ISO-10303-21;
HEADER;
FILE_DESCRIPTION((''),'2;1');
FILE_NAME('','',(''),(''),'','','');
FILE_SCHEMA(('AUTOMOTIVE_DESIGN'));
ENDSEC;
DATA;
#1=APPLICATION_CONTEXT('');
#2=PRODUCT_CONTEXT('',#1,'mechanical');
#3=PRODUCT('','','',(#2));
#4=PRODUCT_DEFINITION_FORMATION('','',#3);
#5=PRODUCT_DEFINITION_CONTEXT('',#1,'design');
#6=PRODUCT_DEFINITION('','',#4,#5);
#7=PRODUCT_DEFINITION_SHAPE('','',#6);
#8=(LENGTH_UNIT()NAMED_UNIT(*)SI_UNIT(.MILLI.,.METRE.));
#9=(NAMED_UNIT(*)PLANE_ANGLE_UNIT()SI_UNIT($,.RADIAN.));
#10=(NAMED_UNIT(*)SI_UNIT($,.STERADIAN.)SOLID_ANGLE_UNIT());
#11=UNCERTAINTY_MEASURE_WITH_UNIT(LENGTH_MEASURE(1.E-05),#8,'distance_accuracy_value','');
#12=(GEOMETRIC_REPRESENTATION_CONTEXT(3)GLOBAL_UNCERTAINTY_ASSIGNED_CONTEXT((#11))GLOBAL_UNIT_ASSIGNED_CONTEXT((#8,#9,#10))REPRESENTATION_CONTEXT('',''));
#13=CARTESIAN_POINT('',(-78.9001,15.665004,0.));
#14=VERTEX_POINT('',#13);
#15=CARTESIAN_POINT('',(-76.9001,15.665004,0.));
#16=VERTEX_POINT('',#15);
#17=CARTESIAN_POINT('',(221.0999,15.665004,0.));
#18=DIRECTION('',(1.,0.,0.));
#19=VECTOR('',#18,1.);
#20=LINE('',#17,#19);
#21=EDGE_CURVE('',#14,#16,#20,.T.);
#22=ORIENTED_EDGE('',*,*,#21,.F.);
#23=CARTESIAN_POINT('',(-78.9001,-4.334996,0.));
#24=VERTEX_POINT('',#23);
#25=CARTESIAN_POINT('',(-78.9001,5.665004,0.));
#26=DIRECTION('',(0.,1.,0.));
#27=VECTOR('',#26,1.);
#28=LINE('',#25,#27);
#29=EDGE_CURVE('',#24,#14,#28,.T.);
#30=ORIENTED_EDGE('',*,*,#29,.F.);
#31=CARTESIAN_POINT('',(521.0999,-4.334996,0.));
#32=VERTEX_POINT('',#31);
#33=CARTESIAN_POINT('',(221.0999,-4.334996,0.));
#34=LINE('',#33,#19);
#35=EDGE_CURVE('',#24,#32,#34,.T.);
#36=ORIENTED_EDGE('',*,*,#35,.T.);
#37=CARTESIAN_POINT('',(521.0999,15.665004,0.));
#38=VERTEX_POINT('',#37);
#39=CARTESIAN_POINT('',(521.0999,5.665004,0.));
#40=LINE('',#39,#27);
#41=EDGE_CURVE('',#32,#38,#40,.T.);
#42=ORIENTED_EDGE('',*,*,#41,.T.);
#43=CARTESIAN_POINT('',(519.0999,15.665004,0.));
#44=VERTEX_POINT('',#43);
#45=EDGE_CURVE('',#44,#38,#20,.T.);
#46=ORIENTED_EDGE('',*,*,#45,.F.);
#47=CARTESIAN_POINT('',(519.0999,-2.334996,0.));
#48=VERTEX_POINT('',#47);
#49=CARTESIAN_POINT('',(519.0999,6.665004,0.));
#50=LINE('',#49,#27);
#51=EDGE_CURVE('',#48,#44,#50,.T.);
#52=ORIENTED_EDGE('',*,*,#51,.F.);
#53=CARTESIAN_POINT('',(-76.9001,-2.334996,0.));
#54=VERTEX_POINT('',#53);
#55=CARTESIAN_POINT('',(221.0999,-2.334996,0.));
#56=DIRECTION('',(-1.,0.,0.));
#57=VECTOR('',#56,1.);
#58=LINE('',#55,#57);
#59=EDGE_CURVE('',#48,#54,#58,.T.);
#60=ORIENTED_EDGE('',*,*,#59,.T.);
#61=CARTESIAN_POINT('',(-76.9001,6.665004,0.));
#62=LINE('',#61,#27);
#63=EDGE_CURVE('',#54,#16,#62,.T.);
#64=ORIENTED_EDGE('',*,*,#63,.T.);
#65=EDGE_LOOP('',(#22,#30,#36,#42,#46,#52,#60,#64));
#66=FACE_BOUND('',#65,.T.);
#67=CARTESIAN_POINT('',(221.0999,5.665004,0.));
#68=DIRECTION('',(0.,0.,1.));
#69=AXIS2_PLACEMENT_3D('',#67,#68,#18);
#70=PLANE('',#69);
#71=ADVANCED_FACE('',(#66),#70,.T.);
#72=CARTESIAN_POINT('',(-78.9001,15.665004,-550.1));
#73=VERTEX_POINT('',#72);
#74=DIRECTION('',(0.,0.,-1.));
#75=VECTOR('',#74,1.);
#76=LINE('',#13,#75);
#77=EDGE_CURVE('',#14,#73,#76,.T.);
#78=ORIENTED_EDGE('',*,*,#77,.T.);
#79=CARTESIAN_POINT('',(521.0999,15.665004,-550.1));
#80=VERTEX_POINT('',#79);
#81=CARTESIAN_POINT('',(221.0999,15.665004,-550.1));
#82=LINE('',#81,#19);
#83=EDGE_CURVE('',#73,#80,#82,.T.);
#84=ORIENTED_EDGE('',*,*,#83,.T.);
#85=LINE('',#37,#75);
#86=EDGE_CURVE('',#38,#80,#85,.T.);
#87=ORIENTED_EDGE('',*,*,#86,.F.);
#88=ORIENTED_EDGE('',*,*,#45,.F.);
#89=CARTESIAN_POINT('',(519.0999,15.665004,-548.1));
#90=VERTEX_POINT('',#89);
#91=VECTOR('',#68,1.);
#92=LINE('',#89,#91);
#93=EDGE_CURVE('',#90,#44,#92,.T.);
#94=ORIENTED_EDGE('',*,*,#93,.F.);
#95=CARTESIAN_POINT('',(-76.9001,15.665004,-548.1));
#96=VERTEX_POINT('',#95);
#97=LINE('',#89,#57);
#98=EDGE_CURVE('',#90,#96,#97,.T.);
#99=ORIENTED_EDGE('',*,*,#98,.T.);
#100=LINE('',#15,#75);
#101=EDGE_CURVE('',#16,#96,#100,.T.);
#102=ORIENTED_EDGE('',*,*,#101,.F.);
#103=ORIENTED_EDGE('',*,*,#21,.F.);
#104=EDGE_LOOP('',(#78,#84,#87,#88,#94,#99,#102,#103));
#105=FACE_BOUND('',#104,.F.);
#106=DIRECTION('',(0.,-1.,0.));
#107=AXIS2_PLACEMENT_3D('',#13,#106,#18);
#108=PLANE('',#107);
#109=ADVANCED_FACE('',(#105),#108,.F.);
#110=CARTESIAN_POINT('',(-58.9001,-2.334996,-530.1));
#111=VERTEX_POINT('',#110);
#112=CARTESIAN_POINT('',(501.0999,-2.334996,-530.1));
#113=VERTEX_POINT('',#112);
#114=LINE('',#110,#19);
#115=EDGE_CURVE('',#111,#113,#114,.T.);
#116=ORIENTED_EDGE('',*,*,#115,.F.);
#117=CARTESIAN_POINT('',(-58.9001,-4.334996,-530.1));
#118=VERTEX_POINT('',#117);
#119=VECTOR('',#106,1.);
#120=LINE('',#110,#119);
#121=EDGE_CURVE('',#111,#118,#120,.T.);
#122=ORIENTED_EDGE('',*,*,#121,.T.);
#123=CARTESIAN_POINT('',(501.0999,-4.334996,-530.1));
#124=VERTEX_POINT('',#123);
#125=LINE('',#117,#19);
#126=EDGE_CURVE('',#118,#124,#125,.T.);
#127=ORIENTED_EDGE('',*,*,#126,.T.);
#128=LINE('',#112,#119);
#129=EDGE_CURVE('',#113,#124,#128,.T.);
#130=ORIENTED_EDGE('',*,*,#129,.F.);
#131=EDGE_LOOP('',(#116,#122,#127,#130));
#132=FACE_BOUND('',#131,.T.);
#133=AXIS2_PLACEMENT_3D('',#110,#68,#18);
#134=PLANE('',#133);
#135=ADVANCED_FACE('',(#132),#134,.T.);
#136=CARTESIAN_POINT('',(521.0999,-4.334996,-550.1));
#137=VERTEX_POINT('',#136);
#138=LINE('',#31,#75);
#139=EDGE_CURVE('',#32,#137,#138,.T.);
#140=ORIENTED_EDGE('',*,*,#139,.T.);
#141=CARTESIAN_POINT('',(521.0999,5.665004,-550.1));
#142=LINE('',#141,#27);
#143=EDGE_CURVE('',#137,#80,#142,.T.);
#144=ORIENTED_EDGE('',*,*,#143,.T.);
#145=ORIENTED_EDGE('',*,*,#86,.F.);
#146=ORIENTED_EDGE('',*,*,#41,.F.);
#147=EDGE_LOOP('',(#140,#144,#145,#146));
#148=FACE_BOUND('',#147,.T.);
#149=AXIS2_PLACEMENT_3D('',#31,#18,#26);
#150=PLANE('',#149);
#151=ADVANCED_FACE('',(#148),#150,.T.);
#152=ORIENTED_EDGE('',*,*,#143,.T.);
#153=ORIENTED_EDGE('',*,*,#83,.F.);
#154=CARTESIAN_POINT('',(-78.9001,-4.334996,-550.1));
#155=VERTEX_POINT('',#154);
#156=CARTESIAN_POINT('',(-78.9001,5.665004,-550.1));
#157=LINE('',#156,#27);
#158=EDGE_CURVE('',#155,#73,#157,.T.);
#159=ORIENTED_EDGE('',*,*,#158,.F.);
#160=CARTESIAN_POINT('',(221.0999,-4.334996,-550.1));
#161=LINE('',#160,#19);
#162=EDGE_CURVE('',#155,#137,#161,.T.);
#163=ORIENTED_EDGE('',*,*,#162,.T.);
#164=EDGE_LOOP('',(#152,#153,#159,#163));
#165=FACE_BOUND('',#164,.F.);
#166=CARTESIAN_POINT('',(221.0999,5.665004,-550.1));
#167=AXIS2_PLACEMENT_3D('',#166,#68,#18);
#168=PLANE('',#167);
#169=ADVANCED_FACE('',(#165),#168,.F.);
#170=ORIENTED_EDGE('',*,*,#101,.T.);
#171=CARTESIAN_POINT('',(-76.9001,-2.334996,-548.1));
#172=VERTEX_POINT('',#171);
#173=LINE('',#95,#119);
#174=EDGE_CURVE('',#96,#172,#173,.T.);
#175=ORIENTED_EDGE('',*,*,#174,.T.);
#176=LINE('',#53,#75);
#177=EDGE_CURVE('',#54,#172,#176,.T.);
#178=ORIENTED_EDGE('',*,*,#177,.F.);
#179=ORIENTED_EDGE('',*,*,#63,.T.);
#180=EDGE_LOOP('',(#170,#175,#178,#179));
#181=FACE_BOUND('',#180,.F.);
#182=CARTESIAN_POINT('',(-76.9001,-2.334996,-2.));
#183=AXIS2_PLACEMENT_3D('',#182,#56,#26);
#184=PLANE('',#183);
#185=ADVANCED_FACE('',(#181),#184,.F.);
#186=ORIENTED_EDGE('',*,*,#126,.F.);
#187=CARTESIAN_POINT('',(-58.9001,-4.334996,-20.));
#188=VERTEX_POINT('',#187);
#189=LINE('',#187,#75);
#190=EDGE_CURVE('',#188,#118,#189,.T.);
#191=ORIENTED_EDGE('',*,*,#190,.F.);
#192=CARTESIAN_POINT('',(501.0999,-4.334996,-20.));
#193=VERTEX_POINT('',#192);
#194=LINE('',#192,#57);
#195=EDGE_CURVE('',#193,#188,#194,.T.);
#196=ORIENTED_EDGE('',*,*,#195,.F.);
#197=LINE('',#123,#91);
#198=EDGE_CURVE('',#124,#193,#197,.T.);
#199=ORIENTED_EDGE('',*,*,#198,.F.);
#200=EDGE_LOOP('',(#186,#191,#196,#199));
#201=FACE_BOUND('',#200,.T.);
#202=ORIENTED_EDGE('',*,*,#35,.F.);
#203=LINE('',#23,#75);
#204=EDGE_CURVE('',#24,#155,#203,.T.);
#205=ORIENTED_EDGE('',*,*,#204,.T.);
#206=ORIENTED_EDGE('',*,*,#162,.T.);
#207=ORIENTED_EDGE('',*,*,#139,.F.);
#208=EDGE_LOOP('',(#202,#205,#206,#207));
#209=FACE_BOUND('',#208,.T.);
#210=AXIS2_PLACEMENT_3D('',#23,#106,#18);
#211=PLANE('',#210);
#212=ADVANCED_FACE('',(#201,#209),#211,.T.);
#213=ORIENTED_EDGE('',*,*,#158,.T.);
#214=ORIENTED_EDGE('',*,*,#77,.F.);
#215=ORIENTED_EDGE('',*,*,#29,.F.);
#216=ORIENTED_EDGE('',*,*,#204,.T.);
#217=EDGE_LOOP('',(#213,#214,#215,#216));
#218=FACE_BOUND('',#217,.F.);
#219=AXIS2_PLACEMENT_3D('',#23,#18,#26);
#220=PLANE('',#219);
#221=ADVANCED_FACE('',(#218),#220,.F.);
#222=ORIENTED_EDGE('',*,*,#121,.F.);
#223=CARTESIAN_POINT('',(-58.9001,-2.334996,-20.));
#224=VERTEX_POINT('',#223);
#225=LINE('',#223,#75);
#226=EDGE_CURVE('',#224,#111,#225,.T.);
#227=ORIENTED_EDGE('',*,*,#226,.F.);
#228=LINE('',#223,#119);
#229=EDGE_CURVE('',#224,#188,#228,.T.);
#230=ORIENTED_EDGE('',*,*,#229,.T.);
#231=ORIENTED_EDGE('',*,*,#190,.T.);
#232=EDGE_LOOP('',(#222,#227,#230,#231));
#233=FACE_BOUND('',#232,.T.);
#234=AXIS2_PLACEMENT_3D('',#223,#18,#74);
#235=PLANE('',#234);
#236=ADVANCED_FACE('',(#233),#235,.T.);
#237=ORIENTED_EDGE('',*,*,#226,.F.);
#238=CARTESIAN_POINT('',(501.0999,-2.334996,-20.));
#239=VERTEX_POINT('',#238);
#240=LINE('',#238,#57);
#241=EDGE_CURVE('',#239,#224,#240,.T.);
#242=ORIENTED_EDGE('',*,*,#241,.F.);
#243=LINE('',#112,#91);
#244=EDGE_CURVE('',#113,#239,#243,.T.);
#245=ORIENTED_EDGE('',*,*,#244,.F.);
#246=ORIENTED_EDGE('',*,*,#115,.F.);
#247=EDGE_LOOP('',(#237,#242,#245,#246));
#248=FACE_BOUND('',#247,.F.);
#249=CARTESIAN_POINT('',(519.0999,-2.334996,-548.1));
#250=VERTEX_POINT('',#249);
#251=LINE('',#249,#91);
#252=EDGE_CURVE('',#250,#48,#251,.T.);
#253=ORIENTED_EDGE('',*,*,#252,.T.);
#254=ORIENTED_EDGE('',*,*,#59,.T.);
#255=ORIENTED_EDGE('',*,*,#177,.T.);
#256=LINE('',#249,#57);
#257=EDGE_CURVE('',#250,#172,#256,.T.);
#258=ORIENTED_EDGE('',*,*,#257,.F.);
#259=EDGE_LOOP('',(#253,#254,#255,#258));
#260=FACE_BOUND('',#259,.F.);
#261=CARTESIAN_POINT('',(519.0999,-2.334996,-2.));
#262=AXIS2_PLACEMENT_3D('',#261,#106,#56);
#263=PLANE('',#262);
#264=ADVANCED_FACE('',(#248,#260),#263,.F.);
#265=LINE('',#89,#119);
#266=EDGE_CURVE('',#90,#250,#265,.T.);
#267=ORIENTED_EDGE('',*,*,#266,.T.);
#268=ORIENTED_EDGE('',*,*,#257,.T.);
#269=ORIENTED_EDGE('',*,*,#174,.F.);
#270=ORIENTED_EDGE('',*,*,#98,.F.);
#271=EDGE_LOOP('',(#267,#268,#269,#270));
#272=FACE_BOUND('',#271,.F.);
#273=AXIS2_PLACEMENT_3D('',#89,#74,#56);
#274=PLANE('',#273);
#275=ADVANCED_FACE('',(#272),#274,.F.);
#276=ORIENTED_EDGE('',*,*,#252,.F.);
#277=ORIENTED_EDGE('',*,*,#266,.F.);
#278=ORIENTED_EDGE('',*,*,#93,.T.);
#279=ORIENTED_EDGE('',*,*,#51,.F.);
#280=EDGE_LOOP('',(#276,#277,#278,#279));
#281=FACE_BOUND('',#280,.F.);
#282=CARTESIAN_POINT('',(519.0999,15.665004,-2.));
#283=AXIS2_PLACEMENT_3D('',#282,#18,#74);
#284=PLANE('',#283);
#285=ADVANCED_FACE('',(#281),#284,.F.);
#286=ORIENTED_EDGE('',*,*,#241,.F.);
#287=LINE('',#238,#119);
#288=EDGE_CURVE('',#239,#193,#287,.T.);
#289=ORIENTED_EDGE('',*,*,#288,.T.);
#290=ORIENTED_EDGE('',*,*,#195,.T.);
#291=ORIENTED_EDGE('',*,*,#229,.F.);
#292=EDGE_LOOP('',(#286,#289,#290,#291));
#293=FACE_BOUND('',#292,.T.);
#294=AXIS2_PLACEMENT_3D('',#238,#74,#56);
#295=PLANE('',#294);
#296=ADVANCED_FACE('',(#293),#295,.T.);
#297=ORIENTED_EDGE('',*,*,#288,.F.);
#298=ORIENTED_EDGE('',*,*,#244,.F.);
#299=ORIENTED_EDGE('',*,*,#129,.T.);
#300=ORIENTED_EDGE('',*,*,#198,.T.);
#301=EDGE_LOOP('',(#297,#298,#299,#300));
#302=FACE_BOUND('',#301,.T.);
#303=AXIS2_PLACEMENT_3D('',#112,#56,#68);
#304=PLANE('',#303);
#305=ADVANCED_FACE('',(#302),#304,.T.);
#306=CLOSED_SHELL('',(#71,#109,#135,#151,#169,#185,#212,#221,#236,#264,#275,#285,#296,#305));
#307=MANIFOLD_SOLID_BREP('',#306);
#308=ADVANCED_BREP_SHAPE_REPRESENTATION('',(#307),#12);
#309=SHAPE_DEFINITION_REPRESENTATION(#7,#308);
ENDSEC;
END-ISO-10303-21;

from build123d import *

# Parameters (mm, degrees)
SKETCH1_W           = 600
SKETCH1_H           = 20
BOSS_EXTRUDE1_DEPTH = 550.1
CUT_EXTRUDE1_DEPTH  = 18
CUT_EXTRUDE2_DEPTH  = 2
SKETCH2_W           = 596
SKETCH2_H           = 18
CUT_EXTRUDE3_DEPTH  = 2


with BuildPart() as part:
    # Sketch1 → Boss-Extrude1 (new body)
    with BuildSketch(Plane.XY):
        with Locations((221.099899989, 5.665003505)):
            Rectangle(SKETCH1_W, SKETCH1_H)
    extrude(amount=-BOSS_EXTRUDE1_DEPTH)

    # 3DSketch1 → Cut-Extrude1 (cut)
    with BuildSketch(Plane(origin=(519.099899989, 15.665003505, -548.1), x_dir=(-0.7372979045405654, 0, 0.6755677611906087), z_dir=(0, 1, 0))):
        Polygon((0, 0), (439.429551106, -402.63838567), (808.357105492, 0), (368.927554386, 402.63838567), align=None)
    extrude(amount=-CUT_EXTRUDE1_DEPTH, mode=Mode.SUBTRACT)

    # 3DSketch2 → Cut-Extrude2 (cut)
    with BuildSketch(Plane(origin=(-58.900100011, -2.334996495, -530.1), x_dir=(0.7392766587492063, 0, 0.6734018279070896), z_dir=(0, 1, 0))):
        Polygon((0, 0), (413.9949289, 377.105023628), (757.497201315, 0), (343.502272415, -377.105023628), align=None)
    extrude(amount=-CUT_EXTRUDE2_DEPTH, mode=Mode.SUBTRACT)

    # Sketch2 → Cut-Extrude3 (cut)
    with BuildSketch(Plane(origin=(0, 0, -2), x_dir=(-1, 0, 0), z_dir=(0, 0, -1))):
        with Locations((-221.099899989, 6.665003505)):
            Rectangle(SKETCH2_W, SKETCH2_H)
    extrude(amount=-CUT_EXTRUDE3_DEPTH, mode=Mode.SUBTRACT)


solid = part.part
